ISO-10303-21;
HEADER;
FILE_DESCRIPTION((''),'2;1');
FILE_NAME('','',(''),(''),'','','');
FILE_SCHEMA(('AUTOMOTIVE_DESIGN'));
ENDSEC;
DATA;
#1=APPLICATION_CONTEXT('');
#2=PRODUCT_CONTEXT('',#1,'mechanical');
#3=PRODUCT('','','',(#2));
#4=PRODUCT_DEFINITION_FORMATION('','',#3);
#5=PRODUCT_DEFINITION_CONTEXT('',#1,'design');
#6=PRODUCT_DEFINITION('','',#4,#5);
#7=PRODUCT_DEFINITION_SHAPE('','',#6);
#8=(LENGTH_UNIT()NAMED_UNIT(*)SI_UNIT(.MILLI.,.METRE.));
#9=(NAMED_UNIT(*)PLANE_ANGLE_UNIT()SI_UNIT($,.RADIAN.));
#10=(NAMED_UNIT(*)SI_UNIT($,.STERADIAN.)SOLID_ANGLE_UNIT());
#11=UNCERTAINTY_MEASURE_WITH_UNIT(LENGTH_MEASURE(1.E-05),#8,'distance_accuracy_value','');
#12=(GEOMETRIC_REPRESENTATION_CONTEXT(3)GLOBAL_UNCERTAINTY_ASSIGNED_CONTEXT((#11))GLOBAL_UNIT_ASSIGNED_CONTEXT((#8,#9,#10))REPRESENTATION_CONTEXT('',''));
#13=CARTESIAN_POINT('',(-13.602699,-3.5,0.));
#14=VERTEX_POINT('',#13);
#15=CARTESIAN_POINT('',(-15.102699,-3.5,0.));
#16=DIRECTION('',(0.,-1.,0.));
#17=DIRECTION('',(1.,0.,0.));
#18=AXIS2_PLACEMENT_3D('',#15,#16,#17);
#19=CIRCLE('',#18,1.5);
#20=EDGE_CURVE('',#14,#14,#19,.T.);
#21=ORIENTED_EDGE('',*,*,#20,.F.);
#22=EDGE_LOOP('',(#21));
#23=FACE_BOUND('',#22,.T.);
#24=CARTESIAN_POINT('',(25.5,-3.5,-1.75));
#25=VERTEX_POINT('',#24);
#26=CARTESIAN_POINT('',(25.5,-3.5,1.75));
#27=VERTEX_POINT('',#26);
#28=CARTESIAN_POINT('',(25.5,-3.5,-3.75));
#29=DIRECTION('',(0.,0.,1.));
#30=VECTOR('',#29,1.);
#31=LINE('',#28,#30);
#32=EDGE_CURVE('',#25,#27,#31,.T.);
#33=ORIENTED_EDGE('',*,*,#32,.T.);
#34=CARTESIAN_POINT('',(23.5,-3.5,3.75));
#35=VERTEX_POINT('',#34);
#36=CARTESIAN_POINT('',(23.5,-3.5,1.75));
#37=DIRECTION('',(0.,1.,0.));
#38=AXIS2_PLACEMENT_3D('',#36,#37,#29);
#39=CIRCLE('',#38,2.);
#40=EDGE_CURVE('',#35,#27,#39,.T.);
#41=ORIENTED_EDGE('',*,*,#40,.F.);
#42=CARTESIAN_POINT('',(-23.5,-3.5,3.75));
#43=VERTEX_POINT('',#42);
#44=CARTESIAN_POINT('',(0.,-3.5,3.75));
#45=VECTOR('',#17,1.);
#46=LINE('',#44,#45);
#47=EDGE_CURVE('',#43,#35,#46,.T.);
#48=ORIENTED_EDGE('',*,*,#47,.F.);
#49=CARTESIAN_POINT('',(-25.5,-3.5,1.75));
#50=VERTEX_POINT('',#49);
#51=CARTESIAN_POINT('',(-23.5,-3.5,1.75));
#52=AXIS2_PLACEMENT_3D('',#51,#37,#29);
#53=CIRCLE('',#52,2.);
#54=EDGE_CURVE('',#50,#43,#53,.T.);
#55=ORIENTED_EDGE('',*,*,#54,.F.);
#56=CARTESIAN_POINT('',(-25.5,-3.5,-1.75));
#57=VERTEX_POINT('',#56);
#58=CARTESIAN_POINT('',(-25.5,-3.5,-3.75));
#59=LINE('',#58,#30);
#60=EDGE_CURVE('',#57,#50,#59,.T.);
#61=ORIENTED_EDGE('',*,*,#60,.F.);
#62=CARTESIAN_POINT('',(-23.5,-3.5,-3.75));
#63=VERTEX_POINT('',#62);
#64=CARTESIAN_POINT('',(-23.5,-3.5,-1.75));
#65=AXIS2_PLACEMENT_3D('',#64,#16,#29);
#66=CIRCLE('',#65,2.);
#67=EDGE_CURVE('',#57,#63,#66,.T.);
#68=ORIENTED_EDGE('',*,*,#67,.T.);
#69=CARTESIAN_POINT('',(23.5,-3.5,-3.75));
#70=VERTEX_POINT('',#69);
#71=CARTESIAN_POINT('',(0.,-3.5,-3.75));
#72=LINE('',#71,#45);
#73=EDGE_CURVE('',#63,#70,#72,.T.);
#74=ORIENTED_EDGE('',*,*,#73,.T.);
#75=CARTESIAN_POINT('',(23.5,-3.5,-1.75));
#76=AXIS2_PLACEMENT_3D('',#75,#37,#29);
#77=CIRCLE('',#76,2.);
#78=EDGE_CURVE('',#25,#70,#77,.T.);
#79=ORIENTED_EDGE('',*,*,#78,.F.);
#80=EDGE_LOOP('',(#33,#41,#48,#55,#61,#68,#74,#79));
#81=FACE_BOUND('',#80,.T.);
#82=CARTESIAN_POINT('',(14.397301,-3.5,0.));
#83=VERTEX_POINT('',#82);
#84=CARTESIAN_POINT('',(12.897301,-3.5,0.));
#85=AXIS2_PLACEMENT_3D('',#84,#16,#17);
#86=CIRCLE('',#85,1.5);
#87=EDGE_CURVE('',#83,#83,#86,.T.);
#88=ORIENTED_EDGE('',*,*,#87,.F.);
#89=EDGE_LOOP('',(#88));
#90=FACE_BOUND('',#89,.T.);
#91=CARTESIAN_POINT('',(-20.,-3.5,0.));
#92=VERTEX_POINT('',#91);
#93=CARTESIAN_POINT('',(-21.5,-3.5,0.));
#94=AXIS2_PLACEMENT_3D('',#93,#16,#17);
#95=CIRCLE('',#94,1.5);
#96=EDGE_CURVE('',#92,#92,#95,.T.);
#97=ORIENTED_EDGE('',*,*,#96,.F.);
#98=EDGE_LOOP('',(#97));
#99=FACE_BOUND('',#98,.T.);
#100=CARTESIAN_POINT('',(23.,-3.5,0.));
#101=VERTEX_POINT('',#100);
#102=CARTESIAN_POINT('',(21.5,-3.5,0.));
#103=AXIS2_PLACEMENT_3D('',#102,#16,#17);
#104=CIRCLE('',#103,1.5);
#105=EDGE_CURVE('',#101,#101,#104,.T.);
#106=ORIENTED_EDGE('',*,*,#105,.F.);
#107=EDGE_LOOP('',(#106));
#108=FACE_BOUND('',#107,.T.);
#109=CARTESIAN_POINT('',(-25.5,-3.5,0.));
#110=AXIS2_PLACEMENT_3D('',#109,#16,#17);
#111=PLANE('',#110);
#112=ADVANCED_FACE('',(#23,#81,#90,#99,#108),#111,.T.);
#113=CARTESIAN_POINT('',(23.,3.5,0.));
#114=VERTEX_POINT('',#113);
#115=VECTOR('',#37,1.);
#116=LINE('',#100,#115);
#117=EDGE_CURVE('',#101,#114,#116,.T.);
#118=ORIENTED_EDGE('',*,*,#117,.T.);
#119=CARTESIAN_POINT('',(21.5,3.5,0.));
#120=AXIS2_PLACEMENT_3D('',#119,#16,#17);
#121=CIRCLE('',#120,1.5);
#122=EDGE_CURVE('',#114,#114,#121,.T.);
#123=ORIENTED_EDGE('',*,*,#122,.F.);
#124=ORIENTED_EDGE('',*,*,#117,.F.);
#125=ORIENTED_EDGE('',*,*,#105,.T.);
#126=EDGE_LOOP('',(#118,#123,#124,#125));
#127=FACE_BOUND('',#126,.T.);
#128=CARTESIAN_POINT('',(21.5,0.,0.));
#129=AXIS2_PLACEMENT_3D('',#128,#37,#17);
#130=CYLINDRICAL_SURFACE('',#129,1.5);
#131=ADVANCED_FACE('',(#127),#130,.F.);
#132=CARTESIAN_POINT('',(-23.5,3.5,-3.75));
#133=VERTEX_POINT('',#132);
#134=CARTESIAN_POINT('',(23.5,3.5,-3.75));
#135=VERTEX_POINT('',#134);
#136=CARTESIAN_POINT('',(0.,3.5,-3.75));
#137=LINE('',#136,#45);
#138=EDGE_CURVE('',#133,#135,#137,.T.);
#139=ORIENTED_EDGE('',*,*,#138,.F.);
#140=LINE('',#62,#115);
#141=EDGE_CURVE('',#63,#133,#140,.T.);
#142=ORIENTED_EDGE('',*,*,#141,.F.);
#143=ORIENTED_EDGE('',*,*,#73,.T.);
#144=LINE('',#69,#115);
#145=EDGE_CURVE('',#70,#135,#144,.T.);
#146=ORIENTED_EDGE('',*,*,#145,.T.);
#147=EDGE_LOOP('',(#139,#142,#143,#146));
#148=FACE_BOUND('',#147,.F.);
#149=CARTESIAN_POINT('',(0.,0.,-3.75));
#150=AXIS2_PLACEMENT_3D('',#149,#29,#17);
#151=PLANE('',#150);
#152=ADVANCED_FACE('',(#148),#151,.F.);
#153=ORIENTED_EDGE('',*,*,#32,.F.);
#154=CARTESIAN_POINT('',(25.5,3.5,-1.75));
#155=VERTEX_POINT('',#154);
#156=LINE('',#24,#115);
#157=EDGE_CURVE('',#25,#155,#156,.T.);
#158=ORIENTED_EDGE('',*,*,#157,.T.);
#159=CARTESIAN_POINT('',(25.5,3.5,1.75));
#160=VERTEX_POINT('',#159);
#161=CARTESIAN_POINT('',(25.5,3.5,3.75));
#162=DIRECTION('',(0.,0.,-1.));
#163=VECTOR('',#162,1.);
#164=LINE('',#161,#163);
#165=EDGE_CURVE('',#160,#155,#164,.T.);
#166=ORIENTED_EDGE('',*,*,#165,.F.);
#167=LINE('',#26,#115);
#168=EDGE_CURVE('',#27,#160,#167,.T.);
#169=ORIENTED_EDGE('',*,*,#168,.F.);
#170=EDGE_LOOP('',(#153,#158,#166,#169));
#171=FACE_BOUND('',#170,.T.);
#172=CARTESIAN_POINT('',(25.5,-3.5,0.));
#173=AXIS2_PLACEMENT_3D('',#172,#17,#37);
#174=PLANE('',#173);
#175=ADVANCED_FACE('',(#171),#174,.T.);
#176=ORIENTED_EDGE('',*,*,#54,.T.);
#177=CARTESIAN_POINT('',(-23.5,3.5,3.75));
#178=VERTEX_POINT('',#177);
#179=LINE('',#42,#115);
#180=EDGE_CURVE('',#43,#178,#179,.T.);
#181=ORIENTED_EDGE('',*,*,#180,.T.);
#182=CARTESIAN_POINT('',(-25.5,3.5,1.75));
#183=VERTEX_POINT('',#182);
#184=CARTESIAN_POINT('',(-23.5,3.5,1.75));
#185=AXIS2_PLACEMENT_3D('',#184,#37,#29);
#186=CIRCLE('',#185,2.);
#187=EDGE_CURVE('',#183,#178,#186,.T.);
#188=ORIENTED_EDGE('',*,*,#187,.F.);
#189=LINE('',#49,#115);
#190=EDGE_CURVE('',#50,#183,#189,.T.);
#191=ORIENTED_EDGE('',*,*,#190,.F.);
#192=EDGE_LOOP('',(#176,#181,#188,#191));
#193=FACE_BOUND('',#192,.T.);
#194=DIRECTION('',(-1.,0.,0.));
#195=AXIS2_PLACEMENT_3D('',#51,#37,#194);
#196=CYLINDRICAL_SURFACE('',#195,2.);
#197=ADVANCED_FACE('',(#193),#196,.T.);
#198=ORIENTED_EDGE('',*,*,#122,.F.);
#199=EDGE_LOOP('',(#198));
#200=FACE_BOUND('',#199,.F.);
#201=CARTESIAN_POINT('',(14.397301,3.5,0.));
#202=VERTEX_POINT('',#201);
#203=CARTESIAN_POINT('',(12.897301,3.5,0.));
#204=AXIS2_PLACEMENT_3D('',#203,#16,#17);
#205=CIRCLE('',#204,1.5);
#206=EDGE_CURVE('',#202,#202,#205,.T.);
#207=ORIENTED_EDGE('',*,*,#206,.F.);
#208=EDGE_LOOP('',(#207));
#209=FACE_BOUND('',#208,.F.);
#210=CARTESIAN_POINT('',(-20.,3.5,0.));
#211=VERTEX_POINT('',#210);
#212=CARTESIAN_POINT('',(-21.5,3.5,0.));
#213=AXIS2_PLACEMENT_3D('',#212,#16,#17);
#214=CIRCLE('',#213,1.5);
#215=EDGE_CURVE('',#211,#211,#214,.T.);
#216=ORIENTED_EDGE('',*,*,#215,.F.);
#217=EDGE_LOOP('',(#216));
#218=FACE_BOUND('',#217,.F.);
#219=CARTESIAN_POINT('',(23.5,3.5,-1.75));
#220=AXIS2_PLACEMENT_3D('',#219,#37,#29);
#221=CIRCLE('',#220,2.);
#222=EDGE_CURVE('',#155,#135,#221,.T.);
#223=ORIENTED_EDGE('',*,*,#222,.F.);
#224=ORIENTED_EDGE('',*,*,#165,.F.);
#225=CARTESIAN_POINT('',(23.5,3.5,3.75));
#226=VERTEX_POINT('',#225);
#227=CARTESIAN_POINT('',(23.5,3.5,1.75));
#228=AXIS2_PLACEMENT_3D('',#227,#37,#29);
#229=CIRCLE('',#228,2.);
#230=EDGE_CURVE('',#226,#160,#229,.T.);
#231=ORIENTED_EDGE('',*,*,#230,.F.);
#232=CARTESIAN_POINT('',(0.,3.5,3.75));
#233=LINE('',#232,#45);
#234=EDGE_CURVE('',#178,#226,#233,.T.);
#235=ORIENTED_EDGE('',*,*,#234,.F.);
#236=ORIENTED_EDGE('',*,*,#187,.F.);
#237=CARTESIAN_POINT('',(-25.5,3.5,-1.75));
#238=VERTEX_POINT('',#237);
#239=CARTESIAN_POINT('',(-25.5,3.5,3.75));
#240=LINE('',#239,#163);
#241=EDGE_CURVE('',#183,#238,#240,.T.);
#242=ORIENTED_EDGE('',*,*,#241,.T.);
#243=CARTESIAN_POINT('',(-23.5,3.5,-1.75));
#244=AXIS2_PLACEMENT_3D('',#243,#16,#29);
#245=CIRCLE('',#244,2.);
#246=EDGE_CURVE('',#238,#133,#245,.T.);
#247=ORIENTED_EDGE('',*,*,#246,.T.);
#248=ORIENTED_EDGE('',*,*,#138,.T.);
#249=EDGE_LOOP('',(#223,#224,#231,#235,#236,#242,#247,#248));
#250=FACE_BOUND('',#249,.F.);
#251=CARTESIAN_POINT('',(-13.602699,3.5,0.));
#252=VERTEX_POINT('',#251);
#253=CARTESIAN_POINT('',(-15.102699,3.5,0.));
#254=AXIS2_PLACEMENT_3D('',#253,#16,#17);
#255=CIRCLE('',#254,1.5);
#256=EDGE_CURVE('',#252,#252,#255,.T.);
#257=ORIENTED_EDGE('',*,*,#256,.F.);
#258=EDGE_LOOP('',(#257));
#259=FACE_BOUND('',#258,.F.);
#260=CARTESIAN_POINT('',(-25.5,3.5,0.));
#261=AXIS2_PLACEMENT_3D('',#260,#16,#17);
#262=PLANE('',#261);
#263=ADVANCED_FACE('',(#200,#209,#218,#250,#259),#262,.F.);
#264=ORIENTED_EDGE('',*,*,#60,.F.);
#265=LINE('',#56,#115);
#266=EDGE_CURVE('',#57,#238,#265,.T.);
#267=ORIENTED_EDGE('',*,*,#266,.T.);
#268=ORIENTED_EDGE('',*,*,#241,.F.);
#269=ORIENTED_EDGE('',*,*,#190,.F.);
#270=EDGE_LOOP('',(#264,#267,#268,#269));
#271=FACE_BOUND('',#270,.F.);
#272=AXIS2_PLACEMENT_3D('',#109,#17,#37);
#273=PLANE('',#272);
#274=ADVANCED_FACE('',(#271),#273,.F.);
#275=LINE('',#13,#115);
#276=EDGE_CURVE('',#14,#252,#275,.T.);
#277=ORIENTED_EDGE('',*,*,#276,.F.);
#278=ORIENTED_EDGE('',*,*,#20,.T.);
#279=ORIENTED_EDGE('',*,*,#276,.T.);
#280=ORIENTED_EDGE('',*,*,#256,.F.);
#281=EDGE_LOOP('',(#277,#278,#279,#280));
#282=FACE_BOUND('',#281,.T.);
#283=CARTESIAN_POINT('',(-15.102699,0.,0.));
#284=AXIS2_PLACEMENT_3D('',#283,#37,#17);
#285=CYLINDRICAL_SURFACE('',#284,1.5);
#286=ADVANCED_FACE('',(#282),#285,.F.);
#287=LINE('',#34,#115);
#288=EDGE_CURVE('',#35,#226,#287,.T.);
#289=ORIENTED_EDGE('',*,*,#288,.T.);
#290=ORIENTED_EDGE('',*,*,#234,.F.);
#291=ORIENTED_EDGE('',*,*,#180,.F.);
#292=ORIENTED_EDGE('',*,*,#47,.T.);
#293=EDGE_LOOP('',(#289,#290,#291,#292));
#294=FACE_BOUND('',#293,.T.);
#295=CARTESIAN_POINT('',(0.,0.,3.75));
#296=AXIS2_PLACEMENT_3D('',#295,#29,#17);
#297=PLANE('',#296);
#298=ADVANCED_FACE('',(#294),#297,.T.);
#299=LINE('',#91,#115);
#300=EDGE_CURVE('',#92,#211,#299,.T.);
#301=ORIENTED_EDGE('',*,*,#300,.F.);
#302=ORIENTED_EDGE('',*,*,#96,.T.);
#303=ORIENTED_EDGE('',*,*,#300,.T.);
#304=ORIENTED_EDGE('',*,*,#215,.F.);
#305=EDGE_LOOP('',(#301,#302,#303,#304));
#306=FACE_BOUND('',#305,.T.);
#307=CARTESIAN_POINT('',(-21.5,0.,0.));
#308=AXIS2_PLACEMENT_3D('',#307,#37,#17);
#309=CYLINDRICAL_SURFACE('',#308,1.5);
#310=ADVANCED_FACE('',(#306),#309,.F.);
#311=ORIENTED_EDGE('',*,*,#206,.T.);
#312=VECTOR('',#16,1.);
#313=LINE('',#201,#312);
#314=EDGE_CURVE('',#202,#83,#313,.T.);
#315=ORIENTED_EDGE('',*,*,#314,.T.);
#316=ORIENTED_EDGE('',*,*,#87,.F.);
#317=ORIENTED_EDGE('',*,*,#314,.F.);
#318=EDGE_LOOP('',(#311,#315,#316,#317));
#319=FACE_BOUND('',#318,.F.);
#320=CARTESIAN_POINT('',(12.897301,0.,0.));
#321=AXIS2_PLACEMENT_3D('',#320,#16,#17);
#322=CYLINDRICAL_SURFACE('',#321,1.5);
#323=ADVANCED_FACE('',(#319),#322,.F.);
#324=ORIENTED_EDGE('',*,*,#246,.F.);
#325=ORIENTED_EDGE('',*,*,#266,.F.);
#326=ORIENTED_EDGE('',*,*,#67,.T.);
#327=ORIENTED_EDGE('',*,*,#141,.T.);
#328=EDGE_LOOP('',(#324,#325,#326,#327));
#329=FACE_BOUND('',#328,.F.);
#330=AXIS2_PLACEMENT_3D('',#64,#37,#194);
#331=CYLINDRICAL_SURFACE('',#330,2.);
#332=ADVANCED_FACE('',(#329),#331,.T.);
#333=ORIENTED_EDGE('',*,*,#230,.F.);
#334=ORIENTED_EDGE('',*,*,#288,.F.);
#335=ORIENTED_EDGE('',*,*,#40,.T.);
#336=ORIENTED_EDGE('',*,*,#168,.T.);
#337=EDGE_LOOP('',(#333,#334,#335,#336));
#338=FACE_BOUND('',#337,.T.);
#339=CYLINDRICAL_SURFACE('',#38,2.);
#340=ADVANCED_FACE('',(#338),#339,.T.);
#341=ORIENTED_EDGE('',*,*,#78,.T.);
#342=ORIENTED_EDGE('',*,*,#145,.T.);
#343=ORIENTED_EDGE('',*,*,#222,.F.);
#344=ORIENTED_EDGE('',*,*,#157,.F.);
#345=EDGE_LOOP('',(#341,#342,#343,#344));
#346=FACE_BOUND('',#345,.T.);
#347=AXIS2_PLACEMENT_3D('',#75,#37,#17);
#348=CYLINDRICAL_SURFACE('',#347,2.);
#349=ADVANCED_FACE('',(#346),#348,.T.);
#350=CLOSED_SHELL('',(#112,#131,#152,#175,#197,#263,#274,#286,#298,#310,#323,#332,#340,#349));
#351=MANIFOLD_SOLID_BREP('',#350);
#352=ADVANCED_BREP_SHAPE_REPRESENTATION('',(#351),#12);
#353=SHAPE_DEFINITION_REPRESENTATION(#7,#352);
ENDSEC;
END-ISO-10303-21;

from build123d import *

# Parameters (mm, degrees)
F0_W     = 51
F0_H     = 7
F1_DEPTH = 3.75
F2_R     = 2
F3_R     = 2
F4_R     = 2
F5_R     = 2
F6_R     = 1.5
F7_DEPTH = 3.5
F8_R     = 1.5
F9_DEPTH = 3.5


with BuildPart() as f1:
    # F0 (on Top) → F1 (new body, symmetric)
    with BuildSketch(Plane.XY):
        Rectangle(F0_W, F0_H)
    extrude(amount=F1_DEPTH, both=True)

    # F2
    f2_edges = [f1.edges().sort_by_distance(p)[0] for p in [
        (-25.5, 0, 3.75),
    ]]
    fillet(f2_edges, radius=F2_R)

    # F3
    f3_edges = [f1.edges().sort_by_distance(p)[0] for p in [
        (-25.5, 0, -3.75),
    ]]
    fillet(f3_edges, radius=F3_R)

    # F4
    f4_edges = [f1.edges().sort_by_distance(p)[0] for p in [
        (25.5, 0, 3.75),
    ]]
    fillet(f4_edges, radius=F4_R)

    # F5
    f5_edges = [f1.edges().sort_by_distance(p)[0] for p in [
        (25.5, 0, -3.75),
    ]]
    fillet(f5_edges, radius=F5_R)

    # F6 (on Front) → F7 (intersect, symmetric)
    with BuildSketch(Plane.XZ):
        with BuildLine():
            ThreePointArc((-25.5, -1.75), (-24.9142135624, -3.1642135624), (-23.5, -3.75))
            Line((-23.5, -3.75), (23.5, -3.75))
            ThreePointArc((23.5, -3.75), (24.9142135624, -3.1642135624), (25.5, -1.75))
            Line((25.5, -1.75), (25.5, 1.75))
            ThreePointArc((25.5, 1.75), (24.9142135624, 3.1642135624), (23.5, 3.75))
            Line((23.5, 3.75), (-23.5, 3.75))
            ThreePointArc((-23.5, 3.75), (-24.9142135624, 3.1642135624), (-25.5, 1.75))
            Line((-25.5, 1.75), (-25.5, -1.75))
        make_face()
        with Locations((-21.5, 0)):
            Circle(F6_R, mode=Mode.SUBTRACT)
        with Locations((21.5, 0)):
            Circle(F6_R, mode=Mode.SUBTRACT)
    extrude(amount=F7_DEPTH, both=True, mode=Mode.INTERSECT)

    # F8 (on Front) → F9 (cut, symmetric)
    with BuildSketch(Plane.XZ):
        with Locations((-15.1026989078, 0)):
            Circle(F8_R)
        with Locations((12.8973010922, 0)):
            Circle(F8_R)
    extrude(amount=F9_DEPTH, both=True, mode=Mode.SUBTRACT)


solid = f1.part
